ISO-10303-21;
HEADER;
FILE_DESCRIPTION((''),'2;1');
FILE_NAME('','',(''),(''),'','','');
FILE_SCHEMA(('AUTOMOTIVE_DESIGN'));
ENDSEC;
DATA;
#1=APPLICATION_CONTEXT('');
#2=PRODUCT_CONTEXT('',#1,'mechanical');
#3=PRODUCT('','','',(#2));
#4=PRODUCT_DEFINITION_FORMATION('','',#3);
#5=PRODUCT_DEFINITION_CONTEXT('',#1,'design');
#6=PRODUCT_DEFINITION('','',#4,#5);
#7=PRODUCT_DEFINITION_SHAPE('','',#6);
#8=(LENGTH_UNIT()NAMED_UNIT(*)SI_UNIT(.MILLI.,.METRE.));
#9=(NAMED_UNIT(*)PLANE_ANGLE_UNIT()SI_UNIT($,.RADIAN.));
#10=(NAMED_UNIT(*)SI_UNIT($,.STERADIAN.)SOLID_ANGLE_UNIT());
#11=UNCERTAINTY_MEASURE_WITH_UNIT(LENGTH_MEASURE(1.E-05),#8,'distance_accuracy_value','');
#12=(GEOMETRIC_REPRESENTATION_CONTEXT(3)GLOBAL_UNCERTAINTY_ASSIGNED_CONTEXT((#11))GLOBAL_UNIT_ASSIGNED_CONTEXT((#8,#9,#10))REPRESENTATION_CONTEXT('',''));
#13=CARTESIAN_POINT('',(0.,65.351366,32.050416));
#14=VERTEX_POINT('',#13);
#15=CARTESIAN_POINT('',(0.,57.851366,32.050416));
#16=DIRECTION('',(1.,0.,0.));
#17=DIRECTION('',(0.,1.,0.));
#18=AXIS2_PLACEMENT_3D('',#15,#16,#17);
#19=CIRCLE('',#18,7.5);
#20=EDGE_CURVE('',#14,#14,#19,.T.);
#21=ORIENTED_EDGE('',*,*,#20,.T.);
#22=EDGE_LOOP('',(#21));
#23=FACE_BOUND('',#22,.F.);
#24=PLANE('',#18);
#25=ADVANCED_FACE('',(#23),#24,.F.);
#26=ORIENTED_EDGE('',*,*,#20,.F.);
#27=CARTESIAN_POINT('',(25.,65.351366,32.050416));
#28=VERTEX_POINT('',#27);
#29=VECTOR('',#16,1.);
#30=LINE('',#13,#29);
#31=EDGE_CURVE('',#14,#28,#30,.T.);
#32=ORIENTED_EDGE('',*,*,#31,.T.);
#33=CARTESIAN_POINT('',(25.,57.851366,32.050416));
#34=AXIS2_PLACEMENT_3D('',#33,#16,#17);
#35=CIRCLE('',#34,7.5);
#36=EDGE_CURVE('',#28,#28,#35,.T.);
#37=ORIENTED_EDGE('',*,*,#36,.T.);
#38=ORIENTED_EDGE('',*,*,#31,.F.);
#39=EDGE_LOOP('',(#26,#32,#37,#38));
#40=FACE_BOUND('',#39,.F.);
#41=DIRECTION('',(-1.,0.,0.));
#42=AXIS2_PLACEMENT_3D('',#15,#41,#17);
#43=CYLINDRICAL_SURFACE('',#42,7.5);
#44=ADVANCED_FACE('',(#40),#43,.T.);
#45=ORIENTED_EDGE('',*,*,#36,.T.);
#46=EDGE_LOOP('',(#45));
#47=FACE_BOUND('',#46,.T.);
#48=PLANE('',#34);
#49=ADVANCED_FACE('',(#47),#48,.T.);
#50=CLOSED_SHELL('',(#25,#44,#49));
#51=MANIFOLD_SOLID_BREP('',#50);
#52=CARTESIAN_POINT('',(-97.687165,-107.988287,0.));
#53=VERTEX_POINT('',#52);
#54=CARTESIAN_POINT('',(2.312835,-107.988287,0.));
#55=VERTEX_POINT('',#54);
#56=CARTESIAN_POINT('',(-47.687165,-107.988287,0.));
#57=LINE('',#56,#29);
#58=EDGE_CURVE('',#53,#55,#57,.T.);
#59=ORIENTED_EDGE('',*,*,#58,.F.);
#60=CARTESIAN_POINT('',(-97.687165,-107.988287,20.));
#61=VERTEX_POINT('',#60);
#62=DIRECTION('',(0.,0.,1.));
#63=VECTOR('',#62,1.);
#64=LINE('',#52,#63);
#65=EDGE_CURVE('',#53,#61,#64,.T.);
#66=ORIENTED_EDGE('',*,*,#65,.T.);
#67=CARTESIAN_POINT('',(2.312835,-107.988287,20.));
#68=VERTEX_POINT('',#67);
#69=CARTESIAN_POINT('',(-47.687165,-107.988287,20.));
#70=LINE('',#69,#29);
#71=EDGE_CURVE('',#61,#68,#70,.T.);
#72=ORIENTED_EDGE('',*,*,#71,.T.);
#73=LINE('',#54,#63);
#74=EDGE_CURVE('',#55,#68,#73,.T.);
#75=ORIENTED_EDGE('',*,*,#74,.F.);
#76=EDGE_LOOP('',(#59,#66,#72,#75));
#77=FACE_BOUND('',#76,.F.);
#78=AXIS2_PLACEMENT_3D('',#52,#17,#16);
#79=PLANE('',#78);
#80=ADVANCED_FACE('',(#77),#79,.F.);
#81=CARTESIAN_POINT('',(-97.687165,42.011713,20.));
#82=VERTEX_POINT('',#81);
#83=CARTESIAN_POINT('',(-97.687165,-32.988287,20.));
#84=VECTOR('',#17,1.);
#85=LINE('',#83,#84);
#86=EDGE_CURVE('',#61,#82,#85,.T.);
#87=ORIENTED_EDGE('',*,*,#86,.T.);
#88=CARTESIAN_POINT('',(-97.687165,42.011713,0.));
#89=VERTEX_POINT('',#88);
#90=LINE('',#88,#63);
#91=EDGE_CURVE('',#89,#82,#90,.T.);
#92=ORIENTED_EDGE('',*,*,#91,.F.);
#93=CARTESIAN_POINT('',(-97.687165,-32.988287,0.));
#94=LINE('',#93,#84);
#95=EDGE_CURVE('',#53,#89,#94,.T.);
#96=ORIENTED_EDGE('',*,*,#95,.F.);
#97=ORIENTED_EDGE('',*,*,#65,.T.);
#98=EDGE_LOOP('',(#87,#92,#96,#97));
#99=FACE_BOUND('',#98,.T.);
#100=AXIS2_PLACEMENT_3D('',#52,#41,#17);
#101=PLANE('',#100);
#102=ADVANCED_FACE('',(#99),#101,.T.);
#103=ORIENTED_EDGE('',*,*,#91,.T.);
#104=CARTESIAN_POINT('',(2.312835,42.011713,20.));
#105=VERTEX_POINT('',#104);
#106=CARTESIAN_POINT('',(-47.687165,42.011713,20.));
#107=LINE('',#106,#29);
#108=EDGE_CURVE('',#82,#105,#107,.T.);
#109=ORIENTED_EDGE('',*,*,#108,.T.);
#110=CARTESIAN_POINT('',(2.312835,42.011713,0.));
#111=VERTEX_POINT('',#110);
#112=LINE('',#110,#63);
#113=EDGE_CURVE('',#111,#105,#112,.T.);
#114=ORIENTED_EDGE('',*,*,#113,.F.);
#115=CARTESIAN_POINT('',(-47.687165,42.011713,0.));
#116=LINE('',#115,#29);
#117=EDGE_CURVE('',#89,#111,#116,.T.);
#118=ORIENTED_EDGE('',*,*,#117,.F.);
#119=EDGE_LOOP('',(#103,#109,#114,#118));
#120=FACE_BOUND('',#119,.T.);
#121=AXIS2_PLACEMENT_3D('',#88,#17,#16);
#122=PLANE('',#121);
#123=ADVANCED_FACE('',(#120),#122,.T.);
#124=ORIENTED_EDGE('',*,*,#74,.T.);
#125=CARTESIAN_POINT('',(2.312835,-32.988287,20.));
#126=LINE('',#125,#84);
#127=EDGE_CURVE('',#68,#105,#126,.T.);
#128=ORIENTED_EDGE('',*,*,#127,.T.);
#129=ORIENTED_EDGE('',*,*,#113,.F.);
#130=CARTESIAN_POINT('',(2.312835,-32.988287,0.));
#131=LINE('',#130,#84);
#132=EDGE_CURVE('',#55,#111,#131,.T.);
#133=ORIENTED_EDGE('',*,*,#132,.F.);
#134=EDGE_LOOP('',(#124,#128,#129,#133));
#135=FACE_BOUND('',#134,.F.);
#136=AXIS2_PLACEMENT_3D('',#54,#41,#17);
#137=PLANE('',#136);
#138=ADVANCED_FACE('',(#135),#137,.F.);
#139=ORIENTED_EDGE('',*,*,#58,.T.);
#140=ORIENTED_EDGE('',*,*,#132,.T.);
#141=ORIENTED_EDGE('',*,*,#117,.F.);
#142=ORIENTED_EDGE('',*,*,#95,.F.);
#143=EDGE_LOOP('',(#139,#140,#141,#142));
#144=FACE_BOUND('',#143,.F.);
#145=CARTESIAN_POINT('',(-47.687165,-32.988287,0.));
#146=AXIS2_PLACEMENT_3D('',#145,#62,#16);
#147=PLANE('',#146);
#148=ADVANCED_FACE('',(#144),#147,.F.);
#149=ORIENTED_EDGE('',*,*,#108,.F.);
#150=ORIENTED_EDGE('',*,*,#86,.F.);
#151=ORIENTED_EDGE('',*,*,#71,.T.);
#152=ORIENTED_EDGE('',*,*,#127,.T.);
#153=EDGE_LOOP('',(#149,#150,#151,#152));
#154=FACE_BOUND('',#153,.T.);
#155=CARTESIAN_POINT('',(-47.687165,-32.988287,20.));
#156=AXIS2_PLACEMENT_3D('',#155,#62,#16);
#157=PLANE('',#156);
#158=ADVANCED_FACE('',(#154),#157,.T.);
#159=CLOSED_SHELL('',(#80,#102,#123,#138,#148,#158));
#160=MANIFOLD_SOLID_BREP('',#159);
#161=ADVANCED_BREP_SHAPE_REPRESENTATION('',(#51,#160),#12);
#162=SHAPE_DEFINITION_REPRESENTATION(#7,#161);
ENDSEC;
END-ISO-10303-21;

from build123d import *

# Parameters (mm, degrees)
F1_W     = 100
F1_H     = 150
F2_DEPTH = 20
F3_R     = 7.5
F4_DEPTH = 25


with BuildPart() as f2:
    # F1 (on face) → F2 (new body)
    with BuildSketch(Plane.XY):
        with Locations((-47.687165, -32.988287)):
            Rectangle(F1_W, F1_H)
    extrude(amount=F2_DEPTH)


with BuildPart() as f4:
    # F3 (on Right) → F4 (new body)
    with BuildSketch(Plane.YZ):
        with Locations((57.851366, 32.050416)):
            Circle(F3_R)
    extrude(amount=F4_DEPTH)


solid = Compound([f2.part, f4.part])
